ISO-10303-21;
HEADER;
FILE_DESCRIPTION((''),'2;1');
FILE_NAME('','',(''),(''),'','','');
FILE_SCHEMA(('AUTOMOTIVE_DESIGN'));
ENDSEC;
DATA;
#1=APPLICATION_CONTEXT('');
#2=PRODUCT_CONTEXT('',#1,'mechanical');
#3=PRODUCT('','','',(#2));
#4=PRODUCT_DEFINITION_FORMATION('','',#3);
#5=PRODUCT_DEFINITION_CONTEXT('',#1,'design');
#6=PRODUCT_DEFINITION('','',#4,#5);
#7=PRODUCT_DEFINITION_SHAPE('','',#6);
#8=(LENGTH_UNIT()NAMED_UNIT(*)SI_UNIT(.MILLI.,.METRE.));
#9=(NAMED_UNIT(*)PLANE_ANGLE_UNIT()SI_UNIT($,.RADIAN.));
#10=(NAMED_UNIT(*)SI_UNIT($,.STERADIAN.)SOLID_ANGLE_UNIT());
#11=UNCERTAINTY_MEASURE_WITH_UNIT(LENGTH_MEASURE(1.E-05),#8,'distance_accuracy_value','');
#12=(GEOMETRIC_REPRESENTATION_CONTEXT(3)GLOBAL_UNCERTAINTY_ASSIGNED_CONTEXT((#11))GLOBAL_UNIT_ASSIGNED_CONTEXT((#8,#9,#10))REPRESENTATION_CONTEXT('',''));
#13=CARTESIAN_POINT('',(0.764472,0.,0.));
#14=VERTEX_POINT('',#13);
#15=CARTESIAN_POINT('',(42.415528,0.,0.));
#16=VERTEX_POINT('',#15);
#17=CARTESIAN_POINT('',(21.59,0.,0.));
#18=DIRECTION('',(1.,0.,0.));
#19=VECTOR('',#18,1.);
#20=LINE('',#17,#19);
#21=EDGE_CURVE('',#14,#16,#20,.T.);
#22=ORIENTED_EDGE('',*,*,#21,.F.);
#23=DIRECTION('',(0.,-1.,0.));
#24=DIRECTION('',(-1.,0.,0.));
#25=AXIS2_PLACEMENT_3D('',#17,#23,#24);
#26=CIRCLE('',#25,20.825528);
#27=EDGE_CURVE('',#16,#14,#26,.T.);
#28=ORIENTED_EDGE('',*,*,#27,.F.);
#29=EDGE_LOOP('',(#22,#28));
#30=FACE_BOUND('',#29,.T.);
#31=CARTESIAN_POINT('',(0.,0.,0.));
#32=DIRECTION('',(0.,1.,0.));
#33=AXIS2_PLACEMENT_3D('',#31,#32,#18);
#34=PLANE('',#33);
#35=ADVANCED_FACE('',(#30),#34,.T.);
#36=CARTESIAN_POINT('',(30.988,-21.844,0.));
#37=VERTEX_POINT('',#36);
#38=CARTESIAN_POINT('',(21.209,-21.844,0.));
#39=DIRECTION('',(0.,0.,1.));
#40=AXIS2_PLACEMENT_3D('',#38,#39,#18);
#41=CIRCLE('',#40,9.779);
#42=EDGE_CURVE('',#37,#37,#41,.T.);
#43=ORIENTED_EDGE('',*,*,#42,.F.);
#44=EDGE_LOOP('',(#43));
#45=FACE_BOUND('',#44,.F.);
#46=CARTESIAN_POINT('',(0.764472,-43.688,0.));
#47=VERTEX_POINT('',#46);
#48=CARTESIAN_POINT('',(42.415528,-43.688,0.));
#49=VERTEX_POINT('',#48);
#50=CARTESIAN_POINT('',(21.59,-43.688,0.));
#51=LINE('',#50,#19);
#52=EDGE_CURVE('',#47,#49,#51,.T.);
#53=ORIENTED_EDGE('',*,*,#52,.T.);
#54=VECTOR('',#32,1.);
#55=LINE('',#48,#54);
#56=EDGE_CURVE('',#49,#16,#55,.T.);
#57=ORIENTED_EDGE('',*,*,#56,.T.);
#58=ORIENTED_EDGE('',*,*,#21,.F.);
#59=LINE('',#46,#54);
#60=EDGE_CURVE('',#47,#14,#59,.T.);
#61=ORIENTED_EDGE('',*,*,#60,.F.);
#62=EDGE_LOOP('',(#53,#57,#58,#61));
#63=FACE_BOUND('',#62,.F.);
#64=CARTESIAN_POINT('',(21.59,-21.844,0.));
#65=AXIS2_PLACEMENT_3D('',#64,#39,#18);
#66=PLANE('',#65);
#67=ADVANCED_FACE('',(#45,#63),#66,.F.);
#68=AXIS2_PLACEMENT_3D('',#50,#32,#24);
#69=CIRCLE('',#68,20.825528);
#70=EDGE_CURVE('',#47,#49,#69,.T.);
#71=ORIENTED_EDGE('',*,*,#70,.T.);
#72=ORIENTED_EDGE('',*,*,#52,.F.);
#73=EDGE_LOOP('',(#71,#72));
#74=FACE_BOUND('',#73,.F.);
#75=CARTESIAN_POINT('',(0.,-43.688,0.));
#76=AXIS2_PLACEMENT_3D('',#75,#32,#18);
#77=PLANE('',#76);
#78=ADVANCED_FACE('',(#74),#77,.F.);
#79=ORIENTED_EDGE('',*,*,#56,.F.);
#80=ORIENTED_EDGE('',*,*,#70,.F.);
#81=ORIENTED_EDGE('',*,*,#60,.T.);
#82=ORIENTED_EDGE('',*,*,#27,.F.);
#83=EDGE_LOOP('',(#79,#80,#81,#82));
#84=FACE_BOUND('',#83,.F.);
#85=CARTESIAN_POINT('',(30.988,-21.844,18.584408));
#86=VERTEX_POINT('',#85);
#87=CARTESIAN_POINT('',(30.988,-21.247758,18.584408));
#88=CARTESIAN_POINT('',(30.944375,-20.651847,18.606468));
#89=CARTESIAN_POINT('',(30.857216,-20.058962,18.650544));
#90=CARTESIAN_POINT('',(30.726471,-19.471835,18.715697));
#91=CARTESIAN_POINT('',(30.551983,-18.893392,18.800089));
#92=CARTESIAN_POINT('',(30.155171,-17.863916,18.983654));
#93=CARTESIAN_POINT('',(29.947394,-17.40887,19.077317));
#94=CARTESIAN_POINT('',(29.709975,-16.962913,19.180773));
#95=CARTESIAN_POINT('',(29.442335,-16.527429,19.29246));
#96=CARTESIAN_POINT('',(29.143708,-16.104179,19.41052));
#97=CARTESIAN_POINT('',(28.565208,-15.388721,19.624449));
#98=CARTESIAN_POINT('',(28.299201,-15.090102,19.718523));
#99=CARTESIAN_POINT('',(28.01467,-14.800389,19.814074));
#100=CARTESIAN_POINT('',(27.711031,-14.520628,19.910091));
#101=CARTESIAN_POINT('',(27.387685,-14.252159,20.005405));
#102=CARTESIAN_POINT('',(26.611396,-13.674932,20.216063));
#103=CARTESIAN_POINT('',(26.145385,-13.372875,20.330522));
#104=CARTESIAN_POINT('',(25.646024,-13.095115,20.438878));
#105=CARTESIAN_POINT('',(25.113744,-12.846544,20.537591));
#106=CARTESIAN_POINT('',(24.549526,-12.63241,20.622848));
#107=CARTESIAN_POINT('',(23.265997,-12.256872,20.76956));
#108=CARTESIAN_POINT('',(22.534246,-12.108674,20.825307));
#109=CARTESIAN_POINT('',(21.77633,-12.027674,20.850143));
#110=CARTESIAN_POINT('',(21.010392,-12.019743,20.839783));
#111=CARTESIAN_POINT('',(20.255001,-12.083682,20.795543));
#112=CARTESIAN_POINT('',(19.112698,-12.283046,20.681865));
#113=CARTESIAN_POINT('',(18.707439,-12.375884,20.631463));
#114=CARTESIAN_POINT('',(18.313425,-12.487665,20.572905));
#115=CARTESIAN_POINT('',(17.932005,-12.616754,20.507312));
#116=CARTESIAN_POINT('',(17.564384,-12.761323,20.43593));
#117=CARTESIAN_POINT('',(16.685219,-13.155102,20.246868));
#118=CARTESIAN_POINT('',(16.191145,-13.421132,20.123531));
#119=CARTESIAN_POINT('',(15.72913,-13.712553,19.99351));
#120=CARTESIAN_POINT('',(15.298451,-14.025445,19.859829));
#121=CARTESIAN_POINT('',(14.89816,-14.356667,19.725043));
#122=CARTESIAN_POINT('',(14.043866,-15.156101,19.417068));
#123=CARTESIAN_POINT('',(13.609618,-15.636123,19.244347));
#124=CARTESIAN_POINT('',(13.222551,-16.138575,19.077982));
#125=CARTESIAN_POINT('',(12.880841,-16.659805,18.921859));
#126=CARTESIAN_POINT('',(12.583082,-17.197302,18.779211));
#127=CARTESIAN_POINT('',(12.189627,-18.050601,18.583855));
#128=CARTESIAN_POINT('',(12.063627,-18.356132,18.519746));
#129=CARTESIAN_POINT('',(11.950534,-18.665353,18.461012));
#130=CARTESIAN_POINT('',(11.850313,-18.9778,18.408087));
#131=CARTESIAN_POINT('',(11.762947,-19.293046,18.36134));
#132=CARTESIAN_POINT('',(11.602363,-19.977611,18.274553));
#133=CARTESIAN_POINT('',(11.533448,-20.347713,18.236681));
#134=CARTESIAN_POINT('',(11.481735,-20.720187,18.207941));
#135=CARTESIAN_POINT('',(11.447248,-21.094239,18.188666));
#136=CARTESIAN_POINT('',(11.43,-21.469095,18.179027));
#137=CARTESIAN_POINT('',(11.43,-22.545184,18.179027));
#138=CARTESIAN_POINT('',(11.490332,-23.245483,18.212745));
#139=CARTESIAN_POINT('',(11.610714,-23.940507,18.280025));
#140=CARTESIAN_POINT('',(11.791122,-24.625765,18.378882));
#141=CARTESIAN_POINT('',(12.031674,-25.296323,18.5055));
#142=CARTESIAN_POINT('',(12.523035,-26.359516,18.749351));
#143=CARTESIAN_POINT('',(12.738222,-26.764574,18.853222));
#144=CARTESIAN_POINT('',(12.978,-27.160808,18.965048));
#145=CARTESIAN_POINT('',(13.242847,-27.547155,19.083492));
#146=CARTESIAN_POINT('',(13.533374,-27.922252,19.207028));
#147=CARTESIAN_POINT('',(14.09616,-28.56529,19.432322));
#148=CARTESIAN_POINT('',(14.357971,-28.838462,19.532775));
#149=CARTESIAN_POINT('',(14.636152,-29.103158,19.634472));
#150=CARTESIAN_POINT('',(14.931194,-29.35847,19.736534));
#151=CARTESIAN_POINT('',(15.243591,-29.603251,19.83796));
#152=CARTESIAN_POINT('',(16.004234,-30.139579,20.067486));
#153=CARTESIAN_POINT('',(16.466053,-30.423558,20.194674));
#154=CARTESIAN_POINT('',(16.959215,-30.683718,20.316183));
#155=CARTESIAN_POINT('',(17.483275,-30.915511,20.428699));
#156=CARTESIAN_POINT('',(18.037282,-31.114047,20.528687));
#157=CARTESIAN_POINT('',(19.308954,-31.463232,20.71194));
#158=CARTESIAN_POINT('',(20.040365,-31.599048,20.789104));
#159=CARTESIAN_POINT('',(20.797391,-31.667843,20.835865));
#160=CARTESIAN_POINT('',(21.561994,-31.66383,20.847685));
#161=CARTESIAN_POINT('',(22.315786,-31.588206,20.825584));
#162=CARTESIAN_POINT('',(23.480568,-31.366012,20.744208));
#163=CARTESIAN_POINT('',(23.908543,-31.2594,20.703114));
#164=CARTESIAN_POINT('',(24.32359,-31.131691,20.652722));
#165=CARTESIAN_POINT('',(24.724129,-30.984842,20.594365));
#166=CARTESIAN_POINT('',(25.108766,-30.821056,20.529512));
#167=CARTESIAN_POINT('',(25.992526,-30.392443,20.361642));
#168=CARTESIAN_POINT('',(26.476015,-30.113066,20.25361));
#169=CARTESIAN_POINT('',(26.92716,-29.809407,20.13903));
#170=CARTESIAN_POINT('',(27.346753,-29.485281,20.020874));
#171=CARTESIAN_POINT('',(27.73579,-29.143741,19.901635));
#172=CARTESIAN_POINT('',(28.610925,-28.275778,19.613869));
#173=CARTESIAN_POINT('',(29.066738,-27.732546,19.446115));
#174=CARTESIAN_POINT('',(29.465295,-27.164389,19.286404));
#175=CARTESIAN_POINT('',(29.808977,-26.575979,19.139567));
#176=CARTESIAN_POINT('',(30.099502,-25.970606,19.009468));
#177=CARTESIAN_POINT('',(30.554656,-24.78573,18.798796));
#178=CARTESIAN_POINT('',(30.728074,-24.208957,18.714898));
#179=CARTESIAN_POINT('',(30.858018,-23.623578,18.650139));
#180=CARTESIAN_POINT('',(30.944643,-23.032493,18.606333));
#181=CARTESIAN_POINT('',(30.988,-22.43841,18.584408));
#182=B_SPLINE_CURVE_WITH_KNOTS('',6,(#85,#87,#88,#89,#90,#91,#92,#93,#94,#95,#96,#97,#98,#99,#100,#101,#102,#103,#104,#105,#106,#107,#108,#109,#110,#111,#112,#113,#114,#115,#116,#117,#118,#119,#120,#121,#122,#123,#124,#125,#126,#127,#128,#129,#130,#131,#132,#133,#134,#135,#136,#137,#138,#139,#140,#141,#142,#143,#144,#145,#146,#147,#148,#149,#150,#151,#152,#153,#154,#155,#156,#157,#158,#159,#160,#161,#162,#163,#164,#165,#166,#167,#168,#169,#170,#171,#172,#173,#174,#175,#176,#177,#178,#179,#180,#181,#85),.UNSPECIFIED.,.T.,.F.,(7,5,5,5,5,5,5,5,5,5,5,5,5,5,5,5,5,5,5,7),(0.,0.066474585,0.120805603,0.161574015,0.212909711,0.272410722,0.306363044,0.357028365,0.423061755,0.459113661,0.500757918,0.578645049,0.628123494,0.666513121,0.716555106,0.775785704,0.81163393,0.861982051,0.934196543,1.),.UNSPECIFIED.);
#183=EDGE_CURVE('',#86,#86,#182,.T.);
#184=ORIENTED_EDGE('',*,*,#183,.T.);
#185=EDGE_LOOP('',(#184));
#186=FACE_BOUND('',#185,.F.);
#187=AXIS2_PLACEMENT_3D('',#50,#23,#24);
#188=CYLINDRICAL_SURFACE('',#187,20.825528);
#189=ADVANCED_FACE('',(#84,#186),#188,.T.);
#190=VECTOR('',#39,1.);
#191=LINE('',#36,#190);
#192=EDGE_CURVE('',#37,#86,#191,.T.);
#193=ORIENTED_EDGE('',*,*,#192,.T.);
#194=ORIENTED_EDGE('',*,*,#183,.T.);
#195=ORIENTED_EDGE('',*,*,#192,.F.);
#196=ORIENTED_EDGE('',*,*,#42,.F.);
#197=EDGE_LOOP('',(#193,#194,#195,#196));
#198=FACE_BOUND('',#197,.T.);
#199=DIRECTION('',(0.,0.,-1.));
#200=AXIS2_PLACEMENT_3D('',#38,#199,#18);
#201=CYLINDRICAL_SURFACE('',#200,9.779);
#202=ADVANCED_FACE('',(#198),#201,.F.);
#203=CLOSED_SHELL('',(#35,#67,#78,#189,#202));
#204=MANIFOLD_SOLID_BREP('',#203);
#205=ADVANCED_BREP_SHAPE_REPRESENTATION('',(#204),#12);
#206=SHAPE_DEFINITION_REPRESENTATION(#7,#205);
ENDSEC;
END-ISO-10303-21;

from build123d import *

# Parameters (mm, degrees)
F0_W     = 43.18
F0_H     = 43.688
F0_R     = 9.779
F1_DEPTH = 20.828
F3_DEPTH = 43.689


with BuildPart() as f1:
    # F0 (on Top) → F1 (new body)
    with BuildSketch(Plane.XY):
        with Locations((21.59, -21.844)):
            Rectangle(F0_W, F0_H)
        with Locations((21.209, -21.844)):
            Circle(F0_R, mode=Mode.SUBTRACT)
    extrude(amount=F1_DEPTH)

    # F2 (on face) → F3 (cut, through all)
    with BuildSketch(Plane.XZ.offset(43.688)):
        with BuildLine():
            ThreePointArc((0.764472, 0), (21.59, 20.825528), (42.415528, 0))
            Line((42.415528, 0), (43.18, 0))
            Line((43.18, 0), (43.18, 20.828))
            Line((43.18, 20.828), (0, 20.828))
            Line((0, 20.828), (0, 0))
            Line((0, 0), (0.764472, 0))
        make_face()
    extrude(amount=-F3_DEPTH, mode=Mode.SUBTRACT)


solid = f1.part
